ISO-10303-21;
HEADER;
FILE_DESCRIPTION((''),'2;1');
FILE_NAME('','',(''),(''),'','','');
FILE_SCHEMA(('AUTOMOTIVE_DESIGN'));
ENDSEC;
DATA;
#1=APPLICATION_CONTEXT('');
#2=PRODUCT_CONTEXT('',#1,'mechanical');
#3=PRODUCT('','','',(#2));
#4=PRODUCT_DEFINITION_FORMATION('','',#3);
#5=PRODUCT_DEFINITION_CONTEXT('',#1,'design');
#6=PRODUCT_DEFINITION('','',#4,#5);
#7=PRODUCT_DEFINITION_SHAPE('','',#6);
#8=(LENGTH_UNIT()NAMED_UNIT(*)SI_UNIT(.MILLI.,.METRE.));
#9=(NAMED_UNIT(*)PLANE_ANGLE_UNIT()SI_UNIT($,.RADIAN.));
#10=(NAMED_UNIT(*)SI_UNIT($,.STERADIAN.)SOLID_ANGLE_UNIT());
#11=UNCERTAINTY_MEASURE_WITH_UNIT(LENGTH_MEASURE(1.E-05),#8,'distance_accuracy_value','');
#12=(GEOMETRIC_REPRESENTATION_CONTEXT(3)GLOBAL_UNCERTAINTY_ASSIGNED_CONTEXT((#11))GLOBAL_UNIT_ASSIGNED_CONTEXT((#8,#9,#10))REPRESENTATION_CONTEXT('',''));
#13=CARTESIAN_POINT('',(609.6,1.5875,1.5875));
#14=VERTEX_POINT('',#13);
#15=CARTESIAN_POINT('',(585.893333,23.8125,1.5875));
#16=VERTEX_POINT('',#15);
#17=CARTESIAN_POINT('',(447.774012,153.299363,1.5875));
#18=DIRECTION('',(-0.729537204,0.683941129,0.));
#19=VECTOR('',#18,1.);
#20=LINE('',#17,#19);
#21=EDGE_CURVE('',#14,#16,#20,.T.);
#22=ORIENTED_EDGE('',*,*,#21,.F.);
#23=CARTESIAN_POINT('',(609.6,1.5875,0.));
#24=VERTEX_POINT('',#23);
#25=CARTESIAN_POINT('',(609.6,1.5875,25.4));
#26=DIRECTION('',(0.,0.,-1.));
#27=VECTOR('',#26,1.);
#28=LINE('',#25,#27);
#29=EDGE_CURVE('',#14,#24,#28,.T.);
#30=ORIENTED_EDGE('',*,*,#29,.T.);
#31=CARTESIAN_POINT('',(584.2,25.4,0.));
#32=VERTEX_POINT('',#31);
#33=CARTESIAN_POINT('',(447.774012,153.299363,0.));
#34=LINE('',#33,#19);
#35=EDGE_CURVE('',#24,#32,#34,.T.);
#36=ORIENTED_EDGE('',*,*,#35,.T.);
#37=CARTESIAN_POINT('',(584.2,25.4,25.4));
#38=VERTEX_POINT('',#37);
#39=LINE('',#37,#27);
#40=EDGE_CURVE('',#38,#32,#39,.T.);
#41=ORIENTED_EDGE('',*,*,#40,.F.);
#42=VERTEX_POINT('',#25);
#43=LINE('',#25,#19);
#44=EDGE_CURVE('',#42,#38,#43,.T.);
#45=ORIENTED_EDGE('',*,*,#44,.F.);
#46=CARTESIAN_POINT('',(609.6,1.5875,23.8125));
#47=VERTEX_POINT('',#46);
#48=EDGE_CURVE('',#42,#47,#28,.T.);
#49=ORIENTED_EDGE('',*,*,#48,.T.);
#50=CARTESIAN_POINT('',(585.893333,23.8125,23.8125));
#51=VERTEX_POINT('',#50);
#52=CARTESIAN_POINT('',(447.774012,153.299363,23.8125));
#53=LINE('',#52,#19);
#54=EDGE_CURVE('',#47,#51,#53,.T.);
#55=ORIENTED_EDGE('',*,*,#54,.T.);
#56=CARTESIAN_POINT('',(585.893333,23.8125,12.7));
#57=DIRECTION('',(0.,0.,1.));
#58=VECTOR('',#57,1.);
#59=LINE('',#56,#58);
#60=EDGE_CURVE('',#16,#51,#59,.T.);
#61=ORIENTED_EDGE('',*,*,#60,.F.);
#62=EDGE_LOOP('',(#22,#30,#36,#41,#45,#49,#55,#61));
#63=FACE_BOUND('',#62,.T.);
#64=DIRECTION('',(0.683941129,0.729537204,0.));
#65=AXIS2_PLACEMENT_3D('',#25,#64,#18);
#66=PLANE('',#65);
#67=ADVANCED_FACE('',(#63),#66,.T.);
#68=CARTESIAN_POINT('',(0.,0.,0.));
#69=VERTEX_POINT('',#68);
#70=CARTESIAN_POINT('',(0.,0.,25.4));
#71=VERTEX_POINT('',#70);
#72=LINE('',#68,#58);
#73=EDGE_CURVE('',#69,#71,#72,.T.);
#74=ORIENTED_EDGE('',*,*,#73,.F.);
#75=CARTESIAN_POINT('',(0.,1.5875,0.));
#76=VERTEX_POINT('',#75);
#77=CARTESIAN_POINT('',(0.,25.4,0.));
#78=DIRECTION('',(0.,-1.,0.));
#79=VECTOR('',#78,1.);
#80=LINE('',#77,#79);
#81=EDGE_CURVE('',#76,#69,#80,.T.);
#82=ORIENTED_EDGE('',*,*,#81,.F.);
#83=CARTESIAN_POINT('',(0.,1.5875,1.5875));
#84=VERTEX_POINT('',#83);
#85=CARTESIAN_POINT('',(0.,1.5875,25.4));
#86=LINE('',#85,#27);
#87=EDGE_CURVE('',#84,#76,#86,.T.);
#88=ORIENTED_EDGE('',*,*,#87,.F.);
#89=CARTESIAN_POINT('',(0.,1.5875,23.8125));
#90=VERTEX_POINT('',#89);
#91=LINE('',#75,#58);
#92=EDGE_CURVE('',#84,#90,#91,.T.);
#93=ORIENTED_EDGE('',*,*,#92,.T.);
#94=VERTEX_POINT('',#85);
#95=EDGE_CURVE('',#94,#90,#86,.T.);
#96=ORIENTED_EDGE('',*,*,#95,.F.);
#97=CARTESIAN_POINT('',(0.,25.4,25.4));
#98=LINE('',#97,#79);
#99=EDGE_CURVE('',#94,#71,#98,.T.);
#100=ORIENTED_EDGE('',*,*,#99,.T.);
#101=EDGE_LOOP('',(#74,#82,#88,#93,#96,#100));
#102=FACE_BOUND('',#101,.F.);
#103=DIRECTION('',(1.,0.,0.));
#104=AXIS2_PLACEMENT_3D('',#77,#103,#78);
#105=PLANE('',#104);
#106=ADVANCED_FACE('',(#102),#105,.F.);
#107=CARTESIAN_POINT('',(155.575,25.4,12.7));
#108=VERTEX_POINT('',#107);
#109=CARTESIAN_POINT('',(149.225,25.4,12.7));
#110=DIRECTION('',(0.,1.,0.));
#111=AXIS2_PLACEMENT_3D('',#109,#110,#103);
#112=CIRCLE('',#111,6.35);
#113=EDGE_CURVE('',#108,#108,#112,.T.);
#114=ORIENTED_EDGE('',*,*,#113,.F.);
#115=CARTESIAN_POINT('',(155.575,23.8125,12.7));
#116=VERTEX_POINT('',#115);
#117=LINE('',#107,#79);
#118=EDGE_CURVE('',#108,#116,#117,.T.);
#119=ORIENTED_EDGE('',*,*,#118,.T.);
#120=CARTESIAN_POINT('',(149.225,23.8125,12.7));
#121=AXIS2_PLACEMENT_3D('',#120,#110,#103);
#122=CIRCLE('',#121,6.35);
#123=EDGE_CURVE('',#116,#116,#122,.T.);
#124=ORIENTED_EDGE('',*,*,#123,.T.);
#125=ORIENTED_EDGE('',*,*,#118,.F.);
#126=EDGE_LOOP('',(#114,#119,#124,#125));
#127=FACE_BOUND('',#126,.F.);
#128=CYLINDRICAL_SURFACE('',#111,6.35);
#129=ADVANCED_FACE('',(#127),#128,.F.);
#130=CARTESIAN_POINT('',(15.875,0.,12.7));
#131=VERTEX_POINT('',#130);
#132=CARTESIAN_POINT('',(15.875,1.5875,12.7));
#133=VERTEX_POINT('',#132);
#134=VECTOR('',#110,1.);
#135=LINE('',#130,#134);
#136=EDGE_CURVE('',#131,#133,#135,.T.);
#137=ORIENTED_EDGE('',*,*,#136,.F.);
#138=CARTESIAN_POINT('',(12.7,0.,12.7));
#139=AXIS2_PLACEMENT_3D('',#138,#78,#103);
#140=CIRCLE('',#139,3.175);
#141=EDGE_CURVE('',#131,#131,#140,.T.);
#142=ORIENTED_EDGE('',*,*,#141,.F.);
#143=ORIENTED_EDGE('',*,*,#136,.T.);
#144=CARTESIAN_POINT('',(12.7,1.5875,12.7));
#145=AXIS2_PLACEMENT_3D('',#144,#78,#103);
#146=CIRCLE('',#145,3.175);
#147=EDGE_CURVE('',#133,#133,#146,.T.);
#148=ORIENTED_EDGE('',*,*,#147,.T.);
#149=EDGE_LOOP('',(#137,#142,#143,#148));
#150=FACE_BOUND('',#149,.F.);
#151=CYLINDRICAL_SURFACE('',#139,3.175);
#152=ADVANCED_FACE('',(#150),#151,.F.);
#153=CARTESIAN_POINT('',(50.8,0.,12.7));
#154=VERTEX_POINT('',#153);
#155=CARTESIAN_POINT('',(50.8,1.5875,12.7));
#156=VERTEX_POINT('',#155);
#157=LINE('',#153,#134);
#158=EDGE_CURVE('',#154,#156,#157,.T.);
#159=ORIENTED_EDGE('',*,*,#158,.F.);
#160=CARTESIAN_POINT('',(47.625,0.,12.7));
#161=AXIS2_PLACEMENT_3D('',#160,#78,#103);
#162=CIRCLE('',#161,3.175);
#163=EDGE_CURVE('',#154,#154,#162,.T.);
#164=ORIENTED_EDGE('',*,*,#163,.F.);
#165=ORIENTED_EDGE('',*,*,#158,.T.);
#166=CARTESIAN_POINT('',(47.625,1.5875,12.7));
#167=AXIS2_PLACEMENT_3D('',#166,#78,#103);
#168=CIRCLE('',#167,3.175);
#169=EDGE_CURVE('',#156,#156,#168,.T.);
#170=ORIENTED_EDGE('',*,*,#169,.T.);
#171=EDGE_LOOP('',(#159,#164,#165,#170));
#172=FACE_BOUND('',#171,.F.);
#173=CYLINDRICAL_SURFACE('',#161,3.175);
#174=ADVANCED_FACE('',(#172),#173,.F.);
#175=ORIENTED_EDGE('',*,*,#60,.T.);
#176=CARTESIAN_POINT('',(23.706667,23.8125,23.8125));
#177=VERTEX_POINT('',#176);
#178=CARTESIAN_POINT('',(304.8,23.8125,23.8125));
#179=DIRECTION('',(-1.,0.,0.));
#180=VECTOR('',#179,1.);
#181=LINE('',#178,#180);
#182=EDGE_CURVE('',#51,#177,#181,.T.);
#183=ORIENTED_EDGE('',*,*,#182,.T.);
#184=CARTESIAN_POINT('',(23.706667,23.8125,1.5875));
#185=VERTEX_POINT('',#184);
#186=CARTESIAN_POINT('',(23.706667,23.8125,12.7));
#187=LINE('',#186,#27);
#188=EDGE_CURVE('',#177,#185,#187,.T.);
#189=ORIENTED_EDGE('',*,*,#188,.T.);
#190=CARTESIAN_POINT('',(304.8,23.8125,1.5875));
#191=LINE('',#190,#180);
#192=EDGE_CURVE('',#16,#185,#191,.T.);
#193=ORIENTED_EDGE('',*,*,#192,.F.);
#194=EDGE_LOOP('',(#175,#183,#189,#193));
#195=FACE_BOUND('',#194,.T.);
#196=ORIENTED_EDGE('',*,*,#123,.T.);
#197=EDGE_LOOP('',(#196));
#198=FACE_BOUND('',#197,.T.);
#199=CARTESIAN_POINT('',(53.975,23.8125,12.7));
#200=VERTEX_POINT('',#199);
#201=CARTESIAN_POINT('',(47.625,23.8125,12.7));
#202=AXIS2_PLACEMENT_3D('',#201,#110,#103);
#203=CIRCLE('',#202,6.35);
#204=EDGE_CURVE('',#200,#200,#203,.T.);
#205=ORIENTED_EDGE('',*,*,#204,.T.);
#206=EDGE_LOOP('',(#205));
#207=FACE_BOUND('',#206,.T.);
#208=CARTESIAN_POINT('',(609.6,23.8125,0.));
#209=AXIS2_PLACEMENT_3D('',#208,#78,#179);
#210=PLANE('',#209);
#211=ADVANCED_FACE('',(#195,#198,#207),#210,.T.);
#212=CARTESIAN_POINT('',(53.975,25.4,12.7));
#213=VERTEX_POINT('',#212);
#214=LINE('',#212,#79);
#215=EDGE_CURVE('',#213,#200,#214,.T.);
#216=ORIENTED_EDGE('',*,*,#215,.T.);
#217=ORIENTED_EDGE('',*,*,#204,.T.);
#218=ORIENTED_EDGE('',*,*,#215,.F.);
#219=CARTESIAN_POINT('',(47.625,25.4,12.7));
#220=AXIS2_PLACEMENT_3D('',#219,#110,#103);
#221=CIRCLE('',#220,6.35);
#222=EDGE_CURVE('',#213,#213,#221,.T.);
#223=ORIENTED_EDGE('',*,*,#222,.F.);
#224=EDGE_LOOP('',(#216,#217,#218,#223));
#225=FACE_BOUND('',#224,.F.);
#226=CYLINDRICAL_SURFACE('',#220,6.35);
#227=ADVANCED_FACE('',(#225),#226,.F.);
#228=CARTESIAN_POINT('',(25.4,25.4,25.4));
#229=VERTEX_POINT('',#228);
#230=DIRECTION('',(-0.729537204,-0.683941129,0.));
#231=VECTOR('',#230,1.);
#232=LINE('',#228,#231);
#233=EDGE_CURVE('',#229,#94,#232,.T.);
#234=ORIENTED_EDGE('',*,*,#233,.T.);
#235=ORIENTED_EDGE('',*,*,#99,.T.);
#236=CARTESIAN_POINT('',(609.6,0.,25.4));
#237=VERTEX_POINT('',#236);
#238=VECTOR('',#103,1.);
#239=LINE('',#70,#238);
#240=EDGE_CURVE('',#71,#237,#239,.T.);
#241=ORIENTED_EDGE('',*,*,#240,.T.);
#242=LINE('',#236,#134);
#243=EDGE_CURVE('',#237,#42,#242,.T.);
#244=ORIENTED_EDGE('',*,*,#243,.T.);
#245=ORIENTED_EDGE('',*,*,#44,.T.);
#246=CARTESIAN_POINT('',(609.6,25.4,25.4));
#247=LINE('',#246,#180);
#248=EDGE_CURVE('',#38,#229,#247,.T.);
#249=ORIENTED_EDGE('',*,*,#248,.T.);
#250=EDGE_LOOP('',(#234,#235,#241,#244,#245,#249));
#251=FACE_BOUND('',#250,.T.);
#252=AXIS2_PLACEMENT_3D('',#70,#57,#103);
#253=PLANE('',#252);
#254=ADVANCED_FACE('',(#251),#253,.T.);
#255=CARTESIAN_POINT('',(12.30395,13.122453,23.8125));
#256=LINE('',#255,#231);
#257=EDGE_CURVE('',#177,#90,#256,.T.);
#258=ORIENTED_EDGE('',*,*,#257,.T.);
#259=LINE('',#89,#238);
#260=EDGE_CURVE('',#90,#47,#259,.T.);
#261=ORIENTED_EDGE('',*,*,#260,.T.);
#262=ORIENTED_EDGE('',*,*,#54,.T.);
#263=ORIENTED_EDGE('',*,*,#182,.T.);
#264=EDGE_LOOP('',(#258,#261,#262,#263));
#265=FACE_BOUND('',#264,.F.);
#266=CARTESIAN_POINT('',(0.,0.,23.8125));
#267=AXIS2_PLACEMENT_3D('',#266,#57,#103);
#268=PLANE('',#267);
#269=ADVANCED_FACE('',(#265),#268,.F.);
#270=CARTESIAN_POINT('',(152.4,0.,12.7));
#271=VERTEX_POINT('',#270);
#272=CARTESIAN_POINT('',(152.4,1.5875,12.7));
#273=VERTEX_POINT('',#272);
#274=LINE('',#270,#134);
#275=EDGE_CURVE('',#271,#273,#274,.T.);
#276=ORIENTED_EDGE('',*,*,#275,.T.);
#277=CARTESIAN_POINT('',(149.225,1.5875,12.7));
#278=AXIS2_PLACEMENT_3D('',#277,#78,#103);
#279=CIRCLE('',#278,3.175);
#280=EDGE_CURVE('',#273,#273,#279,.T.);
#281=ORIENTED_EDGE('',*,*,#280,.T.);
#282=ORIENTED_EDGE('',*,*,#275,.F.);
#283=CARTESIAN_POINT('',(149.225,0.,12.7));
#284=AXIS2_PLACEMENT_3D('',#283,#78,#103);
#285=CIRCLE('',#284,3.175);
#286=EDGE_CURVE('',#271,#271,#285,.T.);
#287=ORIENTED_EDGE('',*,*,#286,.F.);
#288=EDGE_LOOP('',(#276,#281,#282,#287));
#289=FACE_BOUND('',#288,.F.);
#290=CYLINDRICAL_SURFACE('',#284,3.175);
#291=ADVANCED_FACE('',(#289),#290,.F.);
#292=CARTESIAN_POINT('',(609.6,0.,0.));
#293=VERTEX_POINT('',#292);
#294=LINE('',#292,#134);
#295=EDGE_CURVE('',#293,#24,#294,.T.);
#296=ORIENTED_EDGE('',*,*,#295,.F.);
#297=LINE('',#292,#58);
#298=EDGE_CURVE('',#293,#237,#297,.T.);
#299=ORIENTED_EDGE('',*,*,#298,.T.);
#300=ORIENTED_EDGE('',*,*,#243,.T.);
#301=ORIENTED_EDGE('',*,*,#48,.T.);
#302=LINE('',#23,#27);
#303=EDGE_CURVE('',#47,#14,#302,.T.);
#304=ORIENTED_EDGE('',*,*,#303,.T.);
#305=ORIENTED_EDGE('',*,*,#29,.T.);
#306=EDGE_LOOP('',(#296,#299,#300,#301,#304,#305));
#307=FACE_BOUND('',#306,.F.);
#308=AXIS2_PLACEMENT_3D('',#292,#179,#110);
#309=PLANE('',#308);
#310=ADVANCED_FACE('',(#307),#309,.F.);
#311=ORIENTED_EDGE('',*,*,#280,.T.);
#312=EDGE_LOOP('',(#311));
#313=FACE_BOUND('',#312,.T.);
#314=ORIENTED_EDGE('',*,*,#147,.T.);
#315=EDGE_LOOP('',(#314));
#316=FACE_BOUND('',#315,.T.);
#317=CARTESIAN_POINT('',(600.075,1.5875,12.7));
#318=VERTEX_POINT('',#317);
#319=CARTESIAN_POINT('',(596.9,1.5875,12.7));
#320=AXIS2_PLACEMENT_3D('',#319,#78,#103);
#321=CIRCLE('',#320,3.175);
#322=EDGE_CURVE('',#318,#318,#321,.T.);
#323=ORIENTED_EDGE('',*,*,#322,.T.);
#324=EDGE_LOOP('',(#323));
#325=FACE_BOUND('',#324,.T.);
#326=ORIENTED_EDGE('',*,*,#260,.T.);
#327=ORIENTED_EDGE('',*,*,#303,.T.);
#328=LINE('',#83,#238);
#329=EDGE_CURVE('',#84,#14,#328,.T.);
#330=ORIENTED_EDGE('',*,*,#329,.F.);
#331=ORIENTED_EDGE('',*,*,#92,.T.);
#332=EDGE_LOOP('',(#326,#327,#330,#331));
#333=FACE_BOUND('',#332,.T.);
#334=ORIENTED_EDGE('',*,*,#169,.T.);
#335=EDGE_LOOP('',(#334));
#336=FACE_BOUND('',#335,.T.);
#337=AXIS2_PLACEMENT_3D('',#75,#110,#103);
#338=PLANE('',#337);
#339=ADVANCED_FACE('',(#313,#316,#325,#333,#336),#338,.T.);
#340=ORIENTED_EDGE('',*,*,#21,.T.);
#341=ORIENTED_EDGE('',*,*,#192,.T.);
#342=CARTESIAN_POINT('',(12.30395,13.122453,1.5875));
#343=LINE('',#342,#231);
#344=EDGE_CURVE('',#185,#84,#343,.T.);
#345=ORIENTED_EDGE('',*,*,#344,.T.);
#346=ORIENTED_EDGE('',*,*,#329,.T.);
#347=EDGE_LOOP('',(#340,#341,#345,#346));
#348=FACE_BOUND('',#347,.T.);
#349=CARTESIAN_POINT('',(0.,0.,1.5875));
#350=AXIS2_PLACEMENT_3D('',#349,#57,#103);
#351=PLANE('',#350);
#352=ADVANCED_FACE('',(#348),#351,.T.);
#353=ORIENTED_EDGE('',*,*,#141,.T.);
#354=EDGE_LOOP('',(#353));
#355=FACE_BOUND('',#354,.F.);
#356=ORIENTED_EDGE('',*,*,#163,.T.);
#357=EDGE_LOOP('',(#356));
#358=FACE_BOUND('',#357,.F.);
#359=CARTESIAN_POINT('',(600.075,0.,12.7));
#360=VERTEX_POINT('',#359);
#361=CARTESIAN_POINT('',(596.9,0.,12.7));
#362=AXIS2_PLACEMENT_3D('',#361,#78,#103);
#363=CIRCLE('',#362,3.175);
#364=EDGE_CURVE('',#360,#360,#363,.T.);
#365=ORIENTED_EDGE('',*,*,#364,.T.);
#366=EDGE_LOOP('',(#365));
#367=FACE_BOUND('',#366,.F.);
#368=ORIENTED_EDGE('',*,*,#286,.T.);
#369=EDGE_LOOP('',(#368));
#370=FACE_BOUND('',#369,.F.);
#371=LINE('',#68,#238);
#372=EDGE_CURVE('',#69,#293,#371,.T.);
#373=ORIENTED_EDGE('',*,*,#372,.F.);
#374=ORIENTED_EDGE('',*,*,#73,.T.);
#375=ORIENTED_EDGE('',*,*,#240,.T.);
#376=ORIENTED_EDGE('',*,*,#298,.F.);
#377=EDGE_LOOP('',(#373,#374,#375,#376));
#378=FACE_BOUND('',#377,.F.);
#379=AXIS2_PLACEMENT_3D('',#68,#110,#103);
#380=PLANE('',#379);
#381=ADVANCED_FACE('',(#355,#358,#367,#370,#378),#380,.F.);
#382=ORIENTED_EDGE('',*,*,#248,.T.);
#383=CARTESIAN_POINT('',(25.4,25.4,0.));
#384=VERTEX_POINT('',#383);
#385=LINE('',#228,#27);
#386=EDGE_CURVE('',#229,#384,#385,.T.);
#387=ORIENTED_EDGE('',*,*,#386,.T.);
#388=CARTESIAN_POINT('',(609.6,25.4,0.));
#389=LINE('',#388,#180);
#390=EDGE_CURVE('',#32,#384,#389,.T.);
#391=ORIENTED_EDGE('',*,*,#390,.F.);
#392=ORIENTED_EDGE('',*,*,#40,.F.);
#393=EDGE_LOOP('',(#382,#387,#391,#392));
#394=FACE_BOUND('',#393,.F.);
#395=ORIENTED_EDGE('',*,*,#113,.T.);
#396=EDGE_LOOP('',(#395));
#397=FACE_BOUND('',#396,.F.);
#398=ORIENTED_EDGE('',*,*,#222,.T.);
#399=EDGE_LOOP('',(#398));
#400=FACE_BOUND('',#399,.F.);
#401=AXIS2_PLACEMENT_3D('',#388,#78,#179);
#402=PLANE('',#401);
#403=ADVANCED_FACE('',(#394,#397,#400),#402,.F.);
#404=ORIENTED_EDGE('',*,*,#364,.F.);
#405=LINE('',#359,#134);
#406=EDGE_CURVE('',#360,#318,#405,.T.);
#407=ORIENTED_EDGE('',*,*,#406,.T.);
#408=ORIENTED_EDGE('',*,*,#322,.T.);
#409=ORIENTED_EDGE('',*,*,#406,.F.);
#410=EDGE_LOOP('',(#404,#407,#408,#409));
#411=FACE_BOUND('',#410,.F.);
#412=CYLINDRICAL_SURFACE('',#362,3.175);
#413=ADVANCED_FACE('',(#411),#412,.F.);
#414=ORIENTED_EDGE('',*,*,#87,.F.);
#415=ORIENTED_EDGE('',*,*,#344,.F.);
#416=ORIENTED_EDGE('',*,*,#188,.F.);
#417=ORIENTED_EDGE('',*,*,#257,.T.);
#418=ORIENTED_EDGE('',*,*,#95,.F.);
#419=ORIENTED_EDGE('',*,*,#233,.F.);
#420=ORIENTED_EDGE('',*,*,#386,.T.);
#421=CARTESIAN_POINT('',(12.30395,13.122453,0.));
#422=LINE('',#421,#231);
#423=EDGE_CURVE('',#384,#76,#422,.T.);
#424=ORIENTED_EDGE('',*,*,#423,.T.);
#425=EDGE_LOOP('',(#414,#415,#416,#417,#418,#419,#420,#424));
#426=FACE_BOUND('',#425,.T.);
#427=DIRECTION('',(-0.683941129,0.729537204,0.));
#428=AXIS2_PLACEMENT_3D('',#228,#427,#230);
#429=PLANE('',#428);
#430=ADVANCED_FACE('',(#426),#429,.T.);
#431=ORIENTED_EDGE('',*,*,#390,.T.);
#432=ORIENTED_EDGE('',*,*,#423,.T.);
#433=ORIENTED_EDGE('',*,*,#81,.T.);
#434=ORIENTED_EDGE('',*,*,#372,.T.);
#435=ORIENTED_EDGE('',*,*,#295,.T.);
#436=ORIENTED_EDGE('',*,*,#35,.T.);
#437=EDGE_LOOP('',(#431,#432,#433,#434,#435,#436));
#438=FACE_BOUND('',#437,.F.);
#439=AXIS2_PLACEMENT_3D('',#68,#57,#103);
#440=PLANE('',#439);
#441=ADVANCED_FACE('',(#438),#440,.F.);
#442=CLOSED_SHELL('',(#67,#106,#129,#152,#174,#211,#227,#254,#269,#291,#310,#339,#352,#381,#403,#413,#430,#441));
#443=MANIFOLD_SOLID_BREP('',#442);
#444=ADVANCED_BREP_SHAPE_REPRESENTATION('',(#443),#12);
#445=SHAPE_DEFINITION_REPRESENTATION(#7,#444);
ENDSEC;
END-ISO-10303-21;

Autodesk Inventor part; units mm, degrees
ref_plane "YZ Plane" through (0, 0, 0) normal (1, 0, 0) x (0, 1, 0)
ref_plane "XZ Plane" through (0, 0, 0) normal (0, 1, 0) x (-1, 0, 0)
ref_plane "XY Plane" through (0, 0, 0) normal (0, 0, 1) x (1, 0, 0)
sketch "Sketch1" plane through (0, 0, 0) normal (0, 0, 1) x (1, 0, 0)
  line L0 (0, 0) -> (609.6, 0)
  line L1 (609.6, 0) -> (609.6, 25.4)
  line L2 (609.6, 25.4) -> (0, 25.4)
  line L3 (0, 25.4) -> (0, 0)
  dimension "d0" = 25.4
  dimension "d1" = 609.6
extrude "Extrusion1" add sketch "Sketch1" along normal blind 25.4
shell "Shell1" thickness 1.5875 removed faces 2 at (0, 16.9333, 8.4667) at (609.6, 8.4667, 8.4667)
sketch "Sketch2" plane through (0, 0, 25.4) normal (0, 0, 1) x (1, 0, 0)
  line L0 (0, 0) -> (0, 25.4) projected
  line L1 (609.6, 25.4) -> (609.6, 0) projected
  line L2 (0, 25.4) -> (609.6, 25.4) projected
  line L3 (0, 1.5875) -> (0, 25.4)
  line L4 (25.4, 25.4) -> (0, 1.5875)
  line L5 (0, 25.4) -> (25.4, 25.4)
  line L6 (584.2, 25.4) -> (609.6, 25.4)
  line L7 (609.6, 25.4) -> (609.6, 1.5875)
  line L8 (609.6, 1.5875) -> (584.2, 25.4)
  dimension "d5" = 25.4
  dimension "d6" = 1.5875
  dimension "d7" = 25.4
  dimension "d8" = 1.5875
extrude "Extrusion2" cut sketch "Sketch2" against normal through all
sketch "Sketch3" plane through (0, 0, 0) normal (0, -1, 0) x (1, 0, 0)
  line L0 (0, 0) -> (0, 25.4) projected
  line L1 (0, 0) -> (609.6, 0) projected
  line L2 (609.6, 0) -> (609.6, 25.4) projected
  circle A0 centre (12.7, 12.7) radius 3.175
  circle A1 centre (596.9, 12.7) radius 3.175
  dimension "d11" = 12.7
  dimension "d12" = 12.7
  dimension "d13" = 6.35
  dimension "d14" = 12.7
  dimension "d15" = 12.7
extrude "Extrusion3" cut sketch "Sketch3" against normal through all
sketch "Sketch5" plane through (0, 0, 0) normal (0, -1, 0) x (1, 0, 0)
  circle A0 centre (12.7, 12.7) radius 3.175 projected
  line L0 (0, 0) -> (0, 25.4) projected
  circle A1 centre (47.625, 12.7) radius 3.175
  circle A2 centre (149.225, 12.7) radius 3.175
  line L1 (12.7, 12.7) -> (47.625, 12.7) construction
  line L2 (47.625, 12.7) -> (149.225, 12.7) construction
  dimension "d23" = 6.35
  dimension "d25" = 47.625
  dimension "d26" = 101.6
extrude "Extrusion5" cut sketch "Sketch5" against normal through all contours A1 | A2
sketch "Sketch6" plane through (25.4, 25.4, 0) normal (0, 1, 0) x (1, 0, 0)
  circle A0 centre (123.825, -12.7) radius 3.175 projected
  circle A1 centre (22.225, -12.7) radius 3.175 projected
  circle A2 centre (22.225, -12.7) radius 6.35
  circle A3 centre (123.825, -12.7) radius 6.35
  point P0 (-25.4, 0)
  dimension "d29" = 12.7
  dimension "d30" = 12.7
extrude "Extrusion6" cut sketch "Sketch6" against normal up to next
properties material "Aluminum-6061"
